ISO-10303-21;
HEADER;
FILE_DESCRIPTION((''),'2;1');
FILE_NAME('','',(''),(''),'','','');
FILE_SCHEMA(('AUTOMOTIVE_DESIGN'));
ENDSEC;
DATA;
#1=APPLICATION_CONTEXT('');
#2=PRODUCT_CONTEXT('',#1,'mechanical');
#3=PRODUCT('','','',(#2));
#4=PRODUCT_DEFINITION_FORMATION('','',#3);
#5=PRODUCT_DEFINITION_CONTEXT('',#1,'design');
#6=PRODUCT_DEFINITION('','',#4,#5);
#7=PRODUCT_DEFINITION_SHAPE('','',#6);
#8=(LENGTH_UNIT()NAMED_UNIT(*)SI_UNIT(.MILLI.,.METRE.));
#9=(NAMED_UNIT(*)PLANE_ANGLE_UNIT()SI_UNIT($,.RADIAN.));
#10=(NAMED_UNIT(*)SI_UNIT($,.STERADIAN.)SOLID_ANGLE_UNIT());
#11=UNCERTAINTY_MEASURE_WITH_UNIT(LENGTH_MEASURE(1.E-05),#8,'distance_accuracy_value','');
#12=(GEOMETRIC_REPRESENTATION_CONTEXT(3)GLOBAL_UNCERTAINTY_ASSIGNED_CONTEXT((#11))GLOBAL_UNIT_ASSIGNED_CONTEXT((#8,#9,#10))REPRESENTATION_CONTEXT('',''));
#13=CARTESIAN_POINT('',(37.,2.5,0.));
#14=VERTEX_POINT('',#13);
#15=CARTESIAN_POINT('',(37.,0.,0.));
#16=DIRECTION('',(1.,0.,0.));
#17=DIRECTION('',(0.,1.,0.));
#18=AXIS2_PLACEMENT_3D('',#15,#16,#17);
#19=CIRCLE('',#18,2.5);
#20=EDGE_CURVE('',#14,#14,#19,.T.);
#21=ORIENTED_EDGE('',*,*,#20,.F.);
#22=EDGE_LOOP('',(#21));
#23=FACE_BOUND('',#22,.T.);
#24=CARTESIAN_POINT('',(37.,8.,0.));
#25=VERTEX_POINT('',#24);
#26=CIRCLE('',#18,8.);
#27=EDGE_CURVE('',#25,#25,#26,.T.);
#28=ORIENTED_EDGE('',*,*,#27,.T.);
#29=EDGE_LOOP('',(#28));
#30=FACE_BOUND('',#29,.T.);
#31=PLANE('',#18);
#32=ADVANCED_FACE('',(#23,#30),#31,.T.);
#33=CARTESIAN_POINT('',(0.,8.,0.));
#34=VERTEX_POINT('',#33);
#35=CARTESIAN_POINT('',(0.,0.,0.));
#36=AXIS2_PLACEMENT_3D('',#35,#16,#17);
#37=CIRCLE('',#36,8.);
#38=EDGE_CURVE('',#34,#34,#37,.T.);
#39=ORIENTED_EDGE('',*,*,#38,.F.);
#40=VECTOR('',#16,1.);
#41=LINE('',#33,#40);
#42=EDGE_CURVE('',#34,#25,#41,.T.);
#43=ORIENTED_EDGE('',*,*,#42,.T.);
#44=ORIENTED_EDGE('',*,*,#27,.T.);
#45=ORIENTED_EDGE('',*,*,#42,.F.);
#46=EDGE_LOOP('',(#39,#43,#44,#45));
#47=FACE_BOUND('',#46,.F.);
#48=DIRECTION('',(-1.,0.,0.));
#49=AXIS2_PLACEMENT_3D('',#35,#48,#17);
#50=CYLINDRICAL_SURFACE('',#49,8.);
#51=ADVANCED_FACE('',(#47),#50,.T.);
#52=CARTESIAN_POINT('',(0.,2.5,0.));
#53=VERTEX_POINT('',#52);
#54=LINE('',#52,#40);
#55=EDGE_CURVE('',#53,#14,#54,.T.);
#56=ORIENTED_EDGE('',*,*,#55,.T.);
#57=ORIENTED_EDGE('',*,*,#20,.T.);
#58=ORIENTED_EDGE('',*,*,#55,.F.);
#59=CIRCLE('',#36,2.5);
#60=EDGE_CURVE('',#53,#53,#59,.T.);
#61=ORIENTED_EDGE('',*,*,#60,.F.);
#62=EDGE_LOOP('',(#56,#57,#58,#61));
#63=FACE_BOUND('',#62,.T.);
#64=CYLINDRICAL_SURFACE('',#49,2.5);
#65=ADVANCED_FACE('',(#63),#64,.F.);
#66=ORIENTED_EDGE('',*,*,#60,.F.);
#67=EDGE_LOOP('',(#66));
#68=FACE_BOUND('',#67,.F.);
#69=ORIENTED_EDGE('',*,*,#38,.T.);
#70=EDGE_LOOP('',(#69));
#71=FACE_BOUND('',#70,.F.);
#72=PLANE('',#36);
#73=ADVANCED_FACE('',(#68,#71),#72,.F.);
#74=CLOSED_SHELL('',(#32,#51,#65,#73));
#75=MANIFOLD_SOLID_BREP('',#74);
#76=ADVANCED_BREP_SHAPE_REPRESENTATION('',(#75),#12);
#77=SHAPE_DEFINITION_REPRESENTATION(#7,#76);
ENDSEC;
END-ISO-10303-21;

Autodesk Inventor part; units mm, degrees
ref_plane "YZ Plane" through (0, 0, 0) normal (1, 0, 0) x (0, 1, 0)
ref_plane "XZ Plane" through (0, 0, 0) normal (0, 1, 0) x (-1, 0, 0)
ref_plane "XY Plane" through (0, 0, 0) normal (0, 0, 1) x (1, 0, 0)
sketch "Sketch1" plane through (0, 0, 0) normal (1, 0, 0) x (0, 1, 0)
  circle A0 centre (0, 0) radius 2.5
  circle A1 centre (0, 0) radius 8
  dimension "d0" = 5
  dimension "d1" = 16
extrude "Extrusion1" add sketch "Sketch1" along normal blind 37
properties part number "Spacer" material "Aluminum 6061"
